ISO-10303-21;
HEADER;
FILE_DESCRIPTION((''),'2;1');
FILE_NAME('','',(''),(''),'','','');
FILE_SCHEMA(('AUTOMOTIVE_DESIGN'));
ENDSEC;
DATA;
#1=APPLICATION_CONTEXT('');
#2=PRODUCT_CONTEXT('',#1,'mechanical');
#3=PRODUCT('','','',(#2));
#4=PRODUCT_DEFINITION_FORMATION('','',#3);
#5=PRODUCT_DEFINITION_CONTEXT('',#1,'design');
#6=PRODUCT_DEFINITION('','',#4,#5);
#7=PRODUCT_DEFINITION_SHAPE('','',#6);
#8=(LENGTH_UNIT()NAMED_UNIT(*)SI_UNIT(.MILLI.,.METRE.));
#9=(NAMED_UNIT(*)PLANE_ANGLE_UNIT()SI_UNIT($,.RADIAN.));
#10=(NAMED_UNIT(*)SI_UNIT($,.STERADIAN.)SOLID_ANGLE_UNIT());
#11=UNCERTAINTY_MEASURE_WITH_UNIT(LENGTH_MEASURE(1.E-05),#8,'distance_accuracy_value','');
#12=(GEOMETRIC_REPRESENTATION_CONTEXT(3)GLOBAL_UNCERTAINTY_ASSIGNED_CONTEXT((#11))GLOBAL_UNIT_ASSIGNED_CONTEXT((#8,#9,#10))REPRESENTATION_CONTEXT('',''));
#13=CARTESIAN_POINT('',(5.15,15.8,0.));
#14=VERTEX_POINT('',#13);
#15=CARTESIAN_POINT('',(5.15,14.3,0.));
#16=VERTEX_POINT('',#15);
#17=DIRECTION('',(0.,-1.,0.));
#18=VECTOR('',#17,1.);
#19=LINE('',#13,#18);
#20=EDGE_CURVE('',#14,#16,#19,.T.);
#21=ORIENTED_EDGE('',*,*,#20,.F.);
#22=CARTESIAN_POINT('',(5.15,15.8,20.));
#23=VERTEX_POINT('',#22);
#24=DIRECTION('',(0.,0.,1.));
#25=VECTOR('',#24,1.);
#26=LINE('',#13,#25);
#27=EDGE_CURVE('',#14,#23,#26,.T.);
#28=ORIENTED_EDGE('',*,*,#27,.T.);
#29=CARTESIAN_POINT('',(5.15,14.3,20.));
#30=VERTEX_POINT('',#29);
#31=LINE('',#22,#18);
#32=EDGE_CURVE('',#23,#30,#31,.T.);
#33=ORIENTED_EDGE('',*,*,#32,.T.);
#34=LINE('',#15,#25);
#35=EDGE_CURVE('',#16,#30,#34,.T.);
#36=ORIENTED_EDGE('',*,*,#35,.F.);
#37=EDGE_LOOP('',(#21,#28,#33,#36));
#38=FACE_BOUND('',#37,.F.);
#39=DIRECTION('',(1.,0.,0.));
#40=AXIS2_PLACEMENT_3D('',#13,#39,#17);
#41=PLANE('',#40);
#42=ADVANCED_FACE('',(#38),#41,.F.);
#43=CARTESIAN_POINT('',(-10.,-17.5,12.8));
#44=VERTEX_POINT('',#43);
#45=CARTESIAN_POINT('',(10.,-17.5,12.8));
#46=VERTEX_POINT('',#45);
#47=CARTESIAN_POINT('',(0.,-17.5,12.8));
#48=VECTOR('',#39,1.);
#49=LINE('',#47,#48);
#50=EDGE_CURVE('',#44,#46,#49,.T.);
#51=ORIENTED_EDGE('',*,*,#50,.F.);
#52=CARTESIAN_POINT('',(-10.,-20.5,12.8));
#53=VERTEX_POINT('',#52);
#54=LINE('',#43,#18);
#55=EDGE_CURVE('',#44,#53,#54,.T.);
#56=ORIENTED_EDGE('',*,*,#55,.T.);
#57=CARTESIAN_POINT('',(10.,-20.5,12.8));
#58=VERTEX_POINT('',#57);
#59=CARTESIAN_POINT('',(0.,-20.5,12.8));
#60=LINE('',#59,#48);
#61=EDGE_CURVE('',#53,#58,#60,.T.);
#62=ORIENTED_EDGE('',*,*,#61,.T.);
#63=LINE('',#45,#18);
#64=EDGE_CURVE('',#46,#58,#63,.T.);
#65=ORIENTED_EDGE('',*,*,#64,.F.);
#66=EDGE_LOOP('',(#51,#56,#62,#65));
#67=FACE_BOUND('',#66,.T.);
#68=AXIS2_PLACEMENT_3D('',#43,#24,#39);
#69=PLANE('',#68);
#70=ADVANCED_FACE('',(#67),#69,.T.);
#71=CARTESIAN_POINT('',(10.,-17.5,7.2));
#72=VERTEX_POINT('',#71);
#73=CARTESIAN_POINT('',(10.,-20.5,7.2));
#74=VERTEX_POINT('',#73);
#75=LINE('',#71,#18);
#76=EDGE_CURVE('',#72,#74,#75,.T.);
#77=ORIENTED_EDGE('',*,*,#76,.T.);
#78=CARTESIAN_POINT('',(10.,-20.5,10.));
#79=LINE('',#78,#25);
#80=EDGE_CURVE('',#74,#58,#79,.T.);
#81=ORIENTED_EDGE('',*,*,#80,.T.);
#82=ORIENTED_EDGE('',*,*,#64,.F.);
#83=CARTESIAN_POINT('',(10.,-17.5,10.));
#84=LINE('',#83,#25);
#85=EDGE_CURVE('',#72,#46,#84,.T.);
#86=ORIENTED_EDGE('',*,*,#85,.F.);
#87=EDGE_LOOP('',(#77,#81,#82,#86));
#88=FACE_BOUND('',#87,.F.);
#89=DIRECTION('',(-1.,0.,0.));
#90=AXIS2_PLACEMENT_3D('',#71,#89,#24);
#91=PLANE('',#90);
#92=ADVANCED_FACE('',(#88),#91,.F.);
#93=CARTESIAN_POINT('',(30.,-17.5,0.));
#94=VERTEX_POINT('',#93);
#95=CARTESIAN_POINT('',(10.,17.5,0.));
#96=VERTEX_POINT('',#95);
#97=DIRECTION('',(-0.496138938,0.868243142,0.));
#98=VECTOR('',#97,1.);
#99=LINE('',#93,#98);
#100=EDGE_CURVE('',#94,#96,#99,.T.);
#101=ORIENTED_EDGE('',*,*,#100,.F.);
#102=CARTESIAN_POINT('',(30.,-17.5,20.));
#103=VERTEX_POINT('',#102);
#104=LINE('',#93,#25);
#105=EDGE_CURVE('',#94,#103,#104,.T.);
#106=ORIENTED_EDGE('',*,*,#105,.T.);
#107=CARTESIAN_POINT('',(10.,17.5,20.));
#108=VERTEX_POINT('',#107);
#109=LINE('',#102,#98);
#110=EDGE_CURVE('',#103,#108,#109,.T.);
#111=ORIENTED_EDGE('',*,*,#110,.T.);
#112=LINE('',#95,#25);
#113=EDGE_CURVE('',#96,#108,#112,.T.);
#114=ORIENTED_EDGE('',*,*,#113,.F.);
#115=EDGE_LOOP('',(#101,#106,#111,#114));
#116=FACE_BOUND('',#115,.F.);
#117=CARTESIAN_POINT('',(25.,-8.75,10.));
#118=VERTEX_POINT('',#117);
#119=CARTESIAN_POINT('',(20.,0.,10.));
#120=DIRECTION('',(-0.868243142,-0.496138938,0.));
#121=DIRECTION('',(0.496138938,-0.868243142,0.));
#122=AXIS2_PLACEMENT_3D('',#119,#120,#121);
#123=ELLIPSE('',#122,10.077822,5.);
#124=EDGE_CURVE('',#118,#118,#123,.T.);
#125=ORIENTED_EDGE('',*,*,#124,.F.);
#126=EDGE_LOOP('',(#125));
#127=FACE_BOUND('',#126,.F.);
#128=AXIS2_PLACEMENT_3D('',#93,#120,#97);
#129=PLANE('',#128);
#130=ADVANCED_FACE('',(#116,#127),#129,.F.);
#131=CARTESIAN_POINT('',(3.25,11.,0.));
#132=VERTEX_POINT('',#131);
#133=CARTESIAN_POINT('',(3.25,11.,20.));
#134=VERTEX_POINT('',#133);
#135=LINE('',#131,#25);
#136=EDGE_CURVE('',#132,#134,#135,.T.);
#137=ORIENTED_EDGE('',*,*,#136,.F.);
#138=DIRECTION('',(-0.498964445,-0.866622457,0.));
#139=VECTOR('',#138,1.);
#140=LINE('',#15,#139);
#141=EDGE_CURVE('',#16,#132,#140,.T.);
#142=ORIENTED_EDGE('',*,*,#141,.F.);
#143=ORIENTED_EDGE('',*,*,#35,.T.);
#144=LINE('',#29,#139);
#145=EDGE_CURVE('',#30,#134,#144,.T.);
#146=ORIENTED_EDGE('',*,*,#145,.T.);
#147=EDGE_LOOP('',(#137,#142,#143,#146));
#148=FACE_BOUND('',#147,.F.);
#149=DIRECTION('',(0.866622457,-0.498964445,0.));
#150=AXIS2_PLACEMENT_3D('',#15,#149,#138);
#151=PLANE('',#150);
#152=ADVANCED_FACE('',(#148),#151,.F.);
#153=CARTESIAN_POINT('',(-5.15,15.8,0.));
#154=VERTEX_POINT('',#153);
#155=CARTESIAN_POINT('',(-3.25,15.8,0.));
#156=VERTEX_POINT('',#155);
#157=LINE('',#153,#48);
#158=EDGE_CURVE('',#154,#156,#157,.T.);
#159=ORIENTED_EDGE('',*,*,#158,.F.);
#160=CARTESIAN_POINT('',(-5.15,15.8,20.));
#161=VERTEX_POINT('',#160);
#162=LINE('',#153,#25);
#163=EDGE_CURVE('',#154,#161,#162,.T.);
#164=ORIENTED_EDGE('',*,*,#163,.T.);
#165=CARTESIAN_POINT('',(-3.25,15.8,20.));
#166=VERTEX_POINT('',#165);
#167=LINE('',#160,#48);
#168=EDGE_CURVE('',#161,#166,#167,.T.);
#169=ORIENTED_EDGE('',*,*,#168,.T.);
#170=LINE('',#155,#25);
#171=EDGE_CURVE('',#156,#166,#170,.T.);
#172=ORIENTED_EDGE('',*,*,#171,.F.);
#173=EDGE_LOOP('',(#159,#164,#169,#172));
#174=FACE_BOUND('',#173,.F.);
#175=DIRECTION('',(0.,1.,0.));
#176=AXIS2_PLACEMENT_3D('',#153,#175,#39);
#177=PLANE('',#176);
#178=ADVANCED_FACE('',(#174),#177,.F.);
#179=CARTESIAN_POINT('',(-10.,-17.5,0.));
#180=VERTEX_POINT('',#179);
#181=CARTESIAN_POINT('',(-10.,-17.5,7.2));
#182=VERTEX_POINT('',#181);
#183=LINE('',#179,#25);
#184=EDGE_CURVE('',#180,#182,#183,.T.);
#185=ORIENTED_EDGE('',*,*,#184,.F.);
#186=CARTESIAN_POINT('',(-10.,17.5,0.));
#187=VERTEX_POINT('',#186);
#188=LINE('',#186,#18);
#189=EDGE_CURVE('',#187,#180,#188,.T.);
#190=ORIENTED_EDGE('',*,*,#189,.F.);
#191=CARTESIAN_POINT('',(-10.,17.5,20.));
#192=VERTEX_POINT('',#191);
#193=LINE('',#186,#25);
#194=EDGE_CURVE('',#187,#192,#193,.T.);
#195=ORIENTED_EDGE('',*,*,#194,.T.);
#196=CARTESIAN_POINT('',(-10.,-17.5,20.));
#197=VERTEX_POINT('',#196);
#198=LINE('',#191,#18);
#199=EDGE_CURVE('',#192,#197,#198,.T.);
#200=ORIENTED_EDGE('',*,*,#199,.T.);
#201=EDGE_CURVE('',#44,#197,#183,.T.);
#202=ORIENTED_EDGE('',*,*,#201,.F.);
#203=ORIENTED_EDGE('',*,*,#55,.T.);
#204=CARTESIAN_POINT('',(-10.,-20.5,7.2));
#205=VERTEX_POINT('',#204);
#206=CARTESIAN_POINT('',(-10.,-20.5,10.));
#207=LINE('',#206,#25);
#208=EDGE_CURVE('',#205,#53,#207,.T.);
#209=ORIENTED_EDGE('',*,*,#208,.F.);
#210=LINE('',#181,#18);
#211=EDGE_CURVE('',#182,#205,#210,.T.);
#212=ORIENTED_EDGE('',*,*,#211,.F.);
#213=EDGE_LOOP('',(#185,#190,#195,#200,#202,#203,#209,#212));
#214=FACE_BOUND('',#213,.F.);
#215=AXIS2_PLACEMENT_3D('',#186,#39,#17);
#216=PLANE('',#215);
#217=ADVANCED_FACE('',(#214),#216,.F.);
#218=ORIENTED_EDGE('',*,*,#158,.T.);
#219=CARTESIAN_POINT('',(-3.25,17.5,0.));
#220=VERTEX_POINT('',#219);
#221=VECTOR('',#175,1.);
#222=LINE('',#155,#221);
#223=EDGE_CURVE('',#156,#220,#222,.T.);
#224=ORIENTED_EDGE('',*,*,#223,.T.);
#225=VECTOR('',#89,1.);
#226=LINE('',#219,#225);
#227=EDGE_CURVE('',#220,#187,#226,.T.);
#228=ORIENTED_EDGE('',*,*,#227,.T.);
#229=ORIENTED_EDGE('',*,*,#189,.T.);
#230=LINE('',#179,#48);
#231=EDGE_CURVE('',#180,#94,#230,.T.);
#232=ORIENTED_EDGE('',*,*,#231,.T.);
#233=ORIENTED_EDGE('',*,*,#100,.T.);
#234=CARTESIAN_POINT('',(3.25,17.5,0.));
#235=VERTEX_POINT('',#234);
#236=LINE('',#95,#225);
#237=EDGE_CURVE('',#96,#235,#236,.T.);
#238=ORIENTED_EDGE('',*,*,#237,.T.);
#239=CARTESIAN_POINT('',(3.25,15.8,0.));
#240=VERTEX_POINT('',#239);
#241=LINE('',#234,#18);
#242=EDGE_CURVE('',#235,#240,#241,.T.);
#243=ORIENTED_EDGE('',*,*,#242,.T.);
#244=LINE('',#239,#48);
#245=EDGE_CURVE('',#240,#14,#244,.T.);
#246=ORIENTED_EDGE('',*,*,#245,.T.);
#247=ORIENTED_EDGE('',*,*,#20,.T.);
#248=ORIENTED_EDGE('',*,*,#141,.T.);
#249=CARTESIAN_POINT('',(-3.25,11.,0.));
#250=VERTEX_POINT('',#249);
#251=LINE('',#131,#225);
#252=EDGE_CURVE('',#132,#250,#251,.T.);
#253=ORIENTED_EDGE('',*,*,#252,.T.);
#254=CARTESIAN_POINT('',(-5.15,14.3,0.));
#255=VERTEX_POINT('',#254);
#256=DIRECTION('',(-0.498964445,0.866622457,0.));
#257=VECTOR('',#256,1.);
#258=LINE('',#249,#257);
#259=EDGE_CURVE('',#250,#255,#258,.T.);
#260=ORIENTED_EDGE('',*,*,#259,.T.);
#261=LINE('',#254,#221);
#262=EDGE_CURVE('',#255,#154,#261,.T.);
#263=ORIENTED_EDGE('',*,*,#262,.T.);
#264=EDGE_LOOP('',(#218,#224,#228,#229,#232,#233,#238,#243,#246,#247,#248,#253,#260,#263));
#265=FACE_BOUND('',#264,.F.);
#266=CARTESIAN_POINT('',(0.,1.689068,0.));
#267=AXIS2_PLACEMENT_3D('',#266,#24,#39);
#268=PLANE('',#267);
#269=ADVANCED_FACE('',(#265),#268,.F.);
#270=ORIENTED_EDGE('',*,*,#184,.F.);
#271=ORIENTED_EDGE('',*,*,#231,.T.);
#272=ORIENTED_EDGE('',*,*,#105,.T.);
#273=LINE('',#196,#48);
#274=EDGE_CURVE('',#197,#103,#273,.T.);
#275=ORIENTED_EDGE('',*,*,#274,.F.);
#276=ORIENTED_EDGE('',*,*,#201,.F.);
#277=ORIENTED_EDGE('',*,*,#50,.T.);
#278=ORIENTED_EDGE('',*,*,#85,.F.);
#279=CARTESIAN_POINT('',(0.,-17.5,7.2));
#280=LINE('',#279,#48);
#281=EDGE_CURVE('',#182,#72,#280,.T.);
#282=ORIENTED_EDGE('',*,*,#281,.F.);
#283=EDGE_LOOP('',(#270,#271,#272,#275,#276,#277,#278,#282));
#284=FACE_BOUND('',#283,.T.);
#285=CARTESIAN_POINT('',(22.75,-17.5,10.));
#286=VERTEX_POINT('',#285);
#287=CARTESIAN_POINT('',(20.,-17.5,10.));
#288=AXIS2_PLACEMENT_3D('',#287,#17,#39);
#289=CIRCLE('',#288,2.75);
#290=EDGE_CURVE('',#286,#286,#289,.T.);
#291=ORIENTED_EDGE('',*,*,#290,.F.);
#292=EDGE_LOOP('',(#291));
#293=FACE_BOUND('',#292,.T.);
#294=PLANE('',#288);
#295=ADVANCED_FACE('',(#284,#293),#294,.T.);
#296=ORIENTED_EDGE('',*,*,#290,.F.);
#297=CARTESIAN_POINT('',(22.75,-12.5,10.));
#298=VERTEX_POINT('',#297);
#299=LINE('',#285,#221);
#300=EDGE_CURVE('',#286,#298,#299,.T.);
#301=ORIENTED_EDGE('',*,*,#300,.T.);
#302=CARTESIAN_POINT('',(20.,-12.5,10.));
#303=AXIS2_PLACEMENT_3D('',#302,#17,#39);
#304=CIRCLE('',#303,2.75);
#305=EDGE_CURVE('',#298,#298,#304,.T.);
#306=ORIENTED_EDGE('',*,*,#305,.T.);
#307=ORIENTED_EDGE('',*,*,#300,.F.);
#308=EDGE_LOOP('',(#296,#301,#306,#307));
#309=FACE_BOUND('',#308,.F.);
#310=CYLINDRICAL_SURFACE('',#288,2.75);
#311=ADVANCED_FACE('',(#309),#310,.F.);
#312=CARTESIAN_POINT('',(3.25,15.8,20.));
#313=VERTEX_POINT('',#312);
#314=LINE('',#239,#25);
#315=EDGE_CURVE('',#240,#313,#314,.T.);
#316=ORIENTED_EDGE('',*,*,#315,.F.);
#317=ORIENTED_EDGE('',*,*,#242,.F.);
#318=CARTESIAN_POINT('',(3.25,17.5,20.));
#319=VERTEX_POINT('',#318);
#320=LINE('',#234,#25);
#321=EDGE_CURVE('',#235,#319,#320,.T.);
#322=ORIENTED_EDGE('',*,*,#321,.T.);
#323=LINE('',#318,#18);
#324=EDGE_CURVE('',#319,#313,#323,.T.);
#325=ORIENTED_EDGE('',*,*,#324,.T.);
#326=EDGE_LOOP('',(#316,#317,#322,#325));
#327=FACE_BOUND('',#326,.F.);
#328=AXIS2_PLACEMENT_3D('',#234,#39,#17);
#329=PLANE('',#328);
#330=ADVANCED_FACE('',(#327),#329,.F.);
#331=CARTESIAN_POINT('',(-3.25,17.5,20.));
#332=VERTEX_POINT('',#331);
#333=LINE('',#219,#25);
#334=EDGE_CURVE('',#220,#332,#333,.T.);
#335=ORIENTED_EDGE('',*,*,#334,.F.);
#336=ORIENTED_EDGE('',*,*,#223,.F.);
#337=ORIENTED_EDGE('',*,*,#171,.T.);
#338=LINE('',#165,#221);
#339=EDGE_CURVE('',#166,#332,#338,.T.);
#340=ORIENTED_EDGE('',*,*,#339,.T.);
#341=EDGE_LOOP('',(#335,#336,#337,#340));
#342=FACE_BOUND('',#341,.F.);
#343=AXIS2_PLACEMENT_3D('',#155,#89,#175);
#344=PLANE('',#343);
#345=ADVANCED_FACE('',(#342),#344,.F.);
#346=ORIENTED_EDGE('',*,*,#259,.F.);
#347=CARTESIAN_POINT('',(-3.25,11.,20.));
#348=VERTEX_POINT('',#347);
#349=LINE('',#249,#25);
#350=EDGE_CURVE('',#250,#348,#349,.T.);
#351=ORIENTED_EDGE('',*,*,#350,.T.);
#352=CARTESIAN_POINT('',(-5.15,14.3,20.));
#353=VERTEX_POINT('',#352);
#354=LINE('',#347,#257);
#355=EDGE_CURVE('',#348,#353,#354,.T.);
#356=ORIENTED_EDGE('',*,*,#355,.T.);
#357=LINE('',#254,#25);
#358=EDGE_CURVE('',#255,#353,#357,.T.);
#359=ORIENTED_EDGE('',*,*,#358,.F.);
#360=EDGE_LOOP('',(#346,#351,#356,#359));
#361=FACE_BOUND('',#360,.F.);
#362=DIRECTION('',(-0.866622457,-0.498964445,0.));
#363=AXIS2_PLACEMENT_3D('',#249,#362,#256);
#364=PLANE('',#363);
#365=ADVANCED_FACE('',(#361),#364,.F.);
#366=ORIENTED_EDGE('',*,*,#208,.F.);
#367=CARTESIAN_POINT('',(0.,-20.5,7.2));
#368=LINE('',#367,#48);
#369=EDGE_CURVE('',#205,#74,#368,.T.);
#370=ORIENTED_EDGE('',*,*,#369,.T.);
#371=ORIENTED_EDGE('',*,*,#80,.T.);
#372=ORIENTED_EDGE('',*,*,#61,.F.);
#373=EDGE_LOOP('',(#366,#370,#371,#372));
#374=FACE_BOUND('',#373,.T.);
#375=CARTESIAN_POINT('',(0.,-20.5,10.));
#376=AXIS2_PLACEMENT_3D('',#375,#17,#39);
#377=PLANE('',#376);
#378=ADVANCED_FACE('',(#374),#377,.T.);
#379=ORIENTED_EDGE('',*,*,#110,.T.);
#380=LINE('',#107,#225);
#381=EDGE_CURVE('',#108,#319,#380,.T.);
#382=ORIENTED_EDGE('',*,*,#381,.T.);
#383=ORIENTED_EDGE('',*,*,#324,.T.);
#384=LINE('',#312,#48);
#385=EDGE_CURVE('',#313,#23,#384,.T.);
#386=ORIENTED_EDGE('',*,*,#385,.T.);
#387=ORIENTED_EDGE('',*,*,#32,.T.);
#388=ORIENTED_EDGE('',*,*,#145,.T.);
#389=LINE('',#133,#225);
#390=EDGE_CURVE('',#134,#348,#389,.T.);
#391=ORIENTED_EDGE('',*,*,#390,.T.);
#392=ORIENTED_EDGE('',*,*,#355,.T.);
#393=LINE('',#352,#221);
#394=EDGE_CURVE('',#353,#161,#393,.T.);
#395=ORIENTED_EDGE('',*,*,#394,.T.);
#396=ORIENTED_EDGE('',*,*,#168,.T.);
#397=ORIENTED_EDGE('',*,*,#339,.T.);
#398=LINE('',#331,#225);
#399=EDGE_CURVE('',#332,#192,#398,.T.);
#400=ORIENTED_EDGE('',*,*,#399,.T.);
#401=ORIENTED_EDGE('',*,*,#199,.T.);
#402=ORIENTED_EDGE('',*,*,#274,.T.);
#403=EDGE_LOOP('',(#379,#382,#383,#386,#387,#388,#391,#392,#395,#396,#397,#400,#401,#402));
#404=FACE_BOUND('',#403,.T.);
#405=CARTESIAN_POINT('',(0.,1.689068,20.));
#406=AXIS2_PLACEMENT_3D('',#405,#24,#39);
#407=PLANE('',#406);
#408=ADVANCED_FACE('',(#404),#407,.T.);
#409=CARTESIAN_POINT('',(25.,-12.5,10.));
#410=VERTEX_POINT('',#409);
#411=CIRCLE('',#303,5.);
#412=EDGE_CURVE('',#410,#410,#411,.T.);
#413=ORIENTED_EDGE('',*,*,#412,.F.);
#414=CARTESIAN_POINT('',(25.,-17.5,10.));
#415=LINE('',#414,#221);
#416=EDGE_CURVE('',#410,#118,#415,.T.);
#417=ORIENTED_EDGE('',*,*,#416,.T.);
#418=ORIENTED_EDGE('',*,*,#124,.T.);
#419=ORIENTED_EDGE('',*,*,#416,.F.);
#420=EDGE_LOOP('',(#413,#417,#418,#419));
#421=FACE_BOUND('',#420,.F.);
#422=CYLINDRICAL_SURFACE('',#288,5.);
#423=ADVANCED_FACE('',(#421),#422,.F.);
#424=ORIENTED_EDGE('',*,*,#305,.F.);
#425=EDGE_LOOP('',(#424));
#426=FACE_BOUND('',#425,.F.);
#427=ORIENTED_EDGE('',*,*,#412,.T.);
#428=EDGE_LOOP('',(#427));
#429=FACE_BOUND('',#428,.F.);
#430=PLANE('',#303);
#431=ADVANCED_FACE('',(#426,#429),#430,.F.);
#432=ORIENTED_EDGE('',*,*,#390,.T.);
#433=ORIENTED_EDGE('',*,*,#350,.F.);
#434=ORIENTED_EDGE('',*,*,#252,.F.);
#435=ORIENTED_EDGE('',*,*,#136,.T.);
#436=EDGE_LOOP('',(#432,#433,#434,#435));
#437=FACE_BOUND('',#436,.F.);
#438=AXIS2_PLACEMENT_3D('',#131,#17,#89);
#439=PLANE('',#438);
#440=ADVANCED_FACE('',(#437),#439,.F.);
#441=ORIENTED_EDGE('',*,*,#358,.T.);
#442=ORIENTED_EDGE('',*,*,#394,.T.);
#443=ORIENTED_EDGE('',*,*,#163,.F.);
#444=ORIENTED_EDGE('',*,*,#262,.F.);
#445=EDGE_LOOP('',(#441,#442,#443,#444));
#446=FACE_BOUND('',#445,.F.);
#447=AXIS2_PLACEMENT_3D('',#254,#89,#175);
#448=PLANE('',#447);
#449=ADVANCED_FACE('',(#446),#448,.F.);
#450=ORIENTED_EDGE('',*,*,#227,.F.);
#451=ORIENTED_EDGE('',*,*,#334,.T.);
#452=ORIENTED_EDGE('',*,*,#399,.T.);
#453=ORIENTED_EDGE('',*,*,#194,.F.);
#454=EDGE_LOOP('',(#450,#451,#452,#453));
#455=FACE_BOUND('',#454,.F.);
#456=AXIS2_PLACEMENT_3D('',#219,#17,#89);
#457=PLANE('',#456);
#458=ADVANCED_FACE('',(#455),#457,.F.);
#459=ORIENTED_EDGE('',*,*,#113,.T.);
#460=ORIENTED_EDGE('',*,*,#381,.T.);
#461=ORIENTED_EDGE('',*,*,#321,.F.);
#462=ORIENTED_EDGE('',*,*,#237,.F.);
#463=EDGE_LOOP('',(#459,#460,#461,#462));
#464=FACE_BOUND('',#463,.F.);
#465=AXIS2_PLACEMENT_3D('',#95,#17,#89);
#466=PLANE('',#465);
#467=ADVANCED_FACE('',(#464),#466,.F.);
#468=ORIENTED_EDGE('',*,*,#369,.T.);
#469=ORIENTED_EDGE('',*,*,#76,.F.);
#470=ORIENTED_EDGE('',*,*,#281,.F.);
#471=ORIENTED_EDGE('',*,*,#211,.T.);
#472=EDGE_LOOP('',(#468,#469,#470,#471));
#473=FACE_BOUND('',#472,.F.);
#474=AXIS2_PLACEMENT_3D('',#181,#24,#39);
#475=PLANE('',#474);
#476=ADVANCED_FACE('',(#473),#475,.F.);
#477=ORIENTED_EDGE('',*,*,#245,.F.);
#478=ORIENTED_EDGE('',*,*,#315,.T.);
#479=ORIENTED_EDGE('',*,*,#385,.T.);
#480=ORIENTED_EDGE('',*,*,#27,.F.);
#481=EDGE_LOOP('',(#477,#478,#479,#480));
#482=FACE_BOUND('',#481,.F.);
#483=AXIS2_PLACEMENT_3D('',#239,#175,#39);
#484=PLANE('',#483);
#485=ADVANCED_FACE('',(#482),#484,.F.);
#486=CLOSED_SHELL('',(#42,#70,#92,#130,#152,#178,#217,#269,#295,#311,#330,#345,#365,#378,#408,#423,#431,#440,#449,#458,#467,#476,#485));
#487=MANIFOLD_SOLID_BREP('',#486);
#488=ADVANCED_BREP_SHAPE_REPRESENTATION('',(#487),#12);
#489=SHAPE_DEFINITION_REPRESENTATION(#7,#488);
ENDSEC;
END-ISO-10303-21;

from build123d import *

# Parameters (mm, degrees)
F1_DEPTH = 20
F2_R     = 2.75
F3_DEPTH = 25
F2_R_2   = 5
F4_DEPTH = 28.4
F5_DEPTH = 5
F2_W     = 20
F2_H     = 5.6
F6_DEPTH = 3


with BuildPart() as f1:
    # F0 (on Top) → F1 (new body)
    with BuildSketch(Plane.XY):
        Polygon((-3.25, 17.5), (-10, 17.5), (-10, -17.5), (10, -17.5), (10, 17.5), (3.25, 17.5), (3.25, 15.8), (5.15, 15.8), (5.15, 14.3), (3.25, 11), (-3.25, 11), (-5.15, 14.3), (-5.15, 15.8), (-3.25, 15.8), align=None)
        Polygon((10, 17.5), (10, -17.5), (30, -17.5), align=None)
    extrude(amount=F1_DEPTH)

    # F2 (on face) → F3 (cut)
    with BuildSketch(Plane.XZ.offset(17.5)):
        with Locations((20, 10)):
            Circle(F2_R)
    extrude(amount=-F3_DEPTH, mode=Mode.SUBTRACT)

    # F2 (on face) → F4 (cut)
    with BuildSketch(Plane.XZ.offset(17.5)):
        with Locations((20, 10)):
            Circle(F2_R_2)
        with Locations((20, 10)):
            Circle(F2_R, mode=Mode.SUBTRACT)
    extrude(amount=-F4_DEPTH, mode=Mode.SUBTRACT)

    # F2 (on face) → F5 (join)
    with BuildSketch(Plane.XZ.offset(17.5)):
        with Locations((20, 10)):
            Circle(F2_R_2)
        with Locations((20, 10)):
            Circle(F2_R, mode=Mode.SUBTRACT)
    extrude(amount=-F5_DEPTH)

    # F2 (on face) → F6 (join)
    with BuildSketch(Plane.XZ.offset(17.5)):
        with Locations((0, 10)):
            Rectangle(F2_W, F2_H)
    extrude(amount=F6_DEPTH)


solid = f1.part
